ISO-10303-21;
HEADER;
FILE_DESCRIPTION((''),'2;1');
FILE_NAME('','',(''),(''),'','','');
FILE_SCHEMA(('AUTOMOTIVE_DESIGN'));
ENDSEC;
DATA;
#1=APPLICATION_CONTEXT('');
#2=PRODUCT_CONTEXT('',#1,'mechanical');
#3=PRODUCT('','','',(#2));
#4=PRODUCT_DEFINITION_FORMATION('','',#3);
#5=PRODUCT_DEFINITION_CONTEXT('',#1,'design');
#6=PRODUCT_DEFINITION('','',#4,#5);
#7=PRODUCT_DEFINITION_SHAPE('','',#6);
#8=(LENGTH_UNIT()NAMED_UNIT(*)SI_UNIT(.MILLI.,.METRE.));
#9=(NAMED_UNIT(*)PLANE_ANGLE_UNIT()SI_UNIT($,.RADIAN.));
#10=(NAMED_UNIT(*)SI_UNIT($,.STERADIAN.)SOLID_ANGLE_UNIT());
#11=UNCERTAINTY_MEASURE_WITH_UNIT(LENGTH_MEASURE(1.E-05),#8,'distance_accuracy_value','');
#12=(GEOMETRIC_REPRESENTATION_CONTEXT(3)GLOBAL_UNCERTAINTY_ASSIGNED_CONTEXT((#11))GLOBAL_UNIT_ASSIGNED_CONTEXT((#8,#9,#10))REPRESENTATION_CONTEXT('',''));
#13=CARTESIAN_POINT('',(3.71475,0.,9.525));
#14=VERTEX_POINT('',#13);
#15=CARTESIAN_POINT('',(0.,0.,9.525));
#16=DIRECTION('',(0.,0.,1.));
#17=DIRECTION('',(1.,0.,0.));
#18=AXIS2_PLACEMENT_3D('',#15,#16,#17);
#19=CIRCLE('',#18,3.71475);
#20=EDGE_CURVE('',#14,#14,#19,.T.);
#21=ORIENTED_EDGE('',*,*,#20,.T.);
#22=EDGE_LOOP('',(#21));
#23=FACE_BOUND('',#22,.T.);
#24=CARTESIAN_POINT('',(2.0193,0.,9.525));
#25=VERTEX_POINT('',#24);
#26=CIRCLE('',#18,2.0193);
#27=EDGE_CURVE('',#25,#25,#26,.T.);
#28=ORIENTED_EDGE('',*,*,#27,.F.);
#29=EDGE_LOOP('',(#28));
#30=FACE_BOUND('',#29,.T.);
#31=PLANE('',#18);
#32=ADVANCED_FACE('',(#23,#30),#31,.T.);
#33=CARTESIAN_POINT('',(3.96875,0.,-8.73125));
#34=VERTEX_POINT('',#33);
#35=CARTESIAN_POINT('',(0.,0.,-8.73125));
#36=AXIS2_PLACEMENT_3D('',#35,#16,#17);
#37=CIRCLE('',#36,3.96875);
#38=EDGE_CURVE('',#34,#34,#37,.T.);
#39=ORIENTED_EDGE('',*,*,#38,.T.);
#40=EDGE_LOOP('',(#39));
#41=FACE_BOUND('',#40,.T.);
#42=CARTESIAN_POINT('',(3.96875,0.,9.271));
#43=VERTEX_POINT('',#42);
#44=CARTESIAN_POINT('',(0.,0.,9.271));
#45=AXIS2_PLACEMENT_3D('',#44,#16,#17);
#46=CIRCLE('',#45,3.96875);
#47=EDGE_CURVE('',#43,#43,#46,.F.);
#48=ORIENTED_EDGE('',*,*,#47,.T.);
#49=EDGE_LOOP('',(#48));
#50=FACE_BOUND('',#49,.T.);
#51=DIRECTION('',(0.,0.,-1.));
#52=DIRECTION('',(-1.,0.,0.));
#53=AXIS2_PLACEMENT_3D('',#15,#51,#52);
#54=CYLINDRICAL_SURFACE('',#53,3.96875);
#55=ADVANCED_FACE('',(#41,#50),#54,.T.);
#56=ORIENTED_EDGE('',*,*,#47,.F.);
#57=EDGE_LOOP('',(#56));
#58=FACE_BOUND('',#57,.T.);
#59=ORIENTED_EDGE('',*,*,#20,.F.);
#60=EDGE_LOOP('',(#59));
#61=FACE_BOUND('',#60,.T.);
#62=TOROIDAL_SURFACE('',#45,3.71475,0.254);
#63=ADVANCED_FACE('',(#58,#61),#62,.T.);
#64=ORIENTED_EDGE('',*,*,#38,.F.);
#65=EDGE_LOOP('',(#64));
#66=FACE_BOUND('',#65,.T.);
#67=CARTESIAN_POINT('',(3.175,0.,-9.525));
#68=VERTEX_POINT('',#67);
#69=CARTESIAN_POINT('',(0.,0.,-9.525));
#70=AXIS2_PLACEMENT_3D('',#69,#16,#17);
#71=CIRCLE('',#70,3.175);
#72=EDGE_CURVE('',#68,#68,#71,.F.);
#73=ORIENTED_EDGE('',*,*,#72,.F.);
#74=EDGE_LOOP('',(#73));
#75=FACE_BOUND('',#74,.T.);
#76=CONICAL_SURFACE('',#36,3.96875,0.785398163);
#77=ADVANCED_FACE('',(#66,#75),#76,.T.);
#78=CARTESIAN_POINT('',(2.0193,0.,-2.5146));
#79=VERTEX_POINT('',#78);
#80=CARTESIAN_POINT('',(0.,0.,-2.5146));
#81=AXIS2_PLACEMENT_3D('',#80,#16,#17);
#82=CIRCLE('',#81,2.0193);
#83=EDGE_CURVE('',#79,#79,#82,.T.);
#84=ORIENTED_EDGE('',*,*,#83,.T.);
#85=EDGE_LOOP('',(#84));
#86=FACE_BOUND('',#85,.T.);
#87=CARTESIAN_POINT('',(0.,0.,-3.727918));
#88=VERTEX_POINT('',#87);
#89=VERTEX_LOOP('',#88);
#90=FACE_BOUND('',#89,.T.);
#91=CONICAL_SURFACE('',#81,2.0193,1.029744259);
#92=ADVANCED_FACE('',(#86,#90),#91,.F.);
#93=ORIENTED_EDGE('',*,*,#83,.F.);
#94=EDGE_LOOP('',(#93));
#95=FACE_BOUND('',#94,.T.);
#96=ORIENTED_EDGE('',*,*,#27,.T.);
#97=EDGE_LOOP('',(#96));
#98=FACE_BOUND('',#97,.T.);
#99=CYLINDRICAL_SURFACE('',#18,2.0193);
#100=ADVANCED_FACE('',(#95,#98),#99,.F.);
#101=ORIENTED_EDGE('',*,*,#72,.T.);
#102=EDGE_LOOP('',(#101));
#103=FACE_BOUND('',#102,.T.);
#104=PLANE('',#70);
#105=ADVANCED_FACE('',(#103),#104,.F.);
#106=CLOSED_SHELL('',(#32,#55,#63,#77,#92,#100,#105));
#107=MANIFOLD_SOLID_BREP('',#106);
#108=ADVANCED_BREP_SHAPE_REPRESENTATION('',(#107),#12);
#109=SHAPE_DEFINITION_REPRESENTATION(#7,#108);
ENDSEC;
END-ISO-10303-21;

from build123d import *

# Parameters (mm, degrees)
SKETCH1_R                  = 3.96875
EXTRUDE1_DEPTH             = 9.525
FILLET1_R                  = 0.254
CHAMFER1_SIZE              = 0.79375
F_10_32_TAPPED_HOLE1_D     = 4.0386
F_10_32_TAPPED_HOLE1_DEPTH = 12.0396
F_10_32_TAPPED_HOLE1_TIP   = 1.213317848


with BuildPart() as part:
    # Sketch1 → Extrude1 (new body, symmetric)
    with BuildSketch(Plane.XY):
        Circle(SKETCH1_R)
    extrude(amount=EXTRUDE1_DEPTH, both=True)

    # Fillet1
    fillet1_edges = [part.edges().sort_by_distance(p)[0] for p in [
        (-3.96875, 0, 9.525),
    ]]
    fillet(fillet1_edges, radius=FILLET1_R)

    # Chamfer1
    chamfer1_edges = [part.edges().sort_by_distance(p)[0] for p in [
        (-3.96875, 0, -9.525),
    ]]
    chamfer(chamfer1_edges, length=CHAMFER1_SIZE)

    # #10-32 Tapped Hole1
    with Locations(Plane.XY.offset(9.525)):
        with Locations((0, 0)):
            Hole(F_10_32_TAPPED_HOLE1_D / 2, depth=F_10_32_TAPPED_HOLE1_DEPTH)
            with Locations((0, 0, -(F_10_32_TAPPED_HOLE1_DEPTH + F_10_32_TAPPED_HOLE1_TIP / 2))):  # 118° drill point
                Cone(0, F_10_32_TAPPED_HOLE1_D / 2, F_10_32_TAPPED_HOLE1_TIP, mode=Mode.SUBTRACT)


solid = part.part
